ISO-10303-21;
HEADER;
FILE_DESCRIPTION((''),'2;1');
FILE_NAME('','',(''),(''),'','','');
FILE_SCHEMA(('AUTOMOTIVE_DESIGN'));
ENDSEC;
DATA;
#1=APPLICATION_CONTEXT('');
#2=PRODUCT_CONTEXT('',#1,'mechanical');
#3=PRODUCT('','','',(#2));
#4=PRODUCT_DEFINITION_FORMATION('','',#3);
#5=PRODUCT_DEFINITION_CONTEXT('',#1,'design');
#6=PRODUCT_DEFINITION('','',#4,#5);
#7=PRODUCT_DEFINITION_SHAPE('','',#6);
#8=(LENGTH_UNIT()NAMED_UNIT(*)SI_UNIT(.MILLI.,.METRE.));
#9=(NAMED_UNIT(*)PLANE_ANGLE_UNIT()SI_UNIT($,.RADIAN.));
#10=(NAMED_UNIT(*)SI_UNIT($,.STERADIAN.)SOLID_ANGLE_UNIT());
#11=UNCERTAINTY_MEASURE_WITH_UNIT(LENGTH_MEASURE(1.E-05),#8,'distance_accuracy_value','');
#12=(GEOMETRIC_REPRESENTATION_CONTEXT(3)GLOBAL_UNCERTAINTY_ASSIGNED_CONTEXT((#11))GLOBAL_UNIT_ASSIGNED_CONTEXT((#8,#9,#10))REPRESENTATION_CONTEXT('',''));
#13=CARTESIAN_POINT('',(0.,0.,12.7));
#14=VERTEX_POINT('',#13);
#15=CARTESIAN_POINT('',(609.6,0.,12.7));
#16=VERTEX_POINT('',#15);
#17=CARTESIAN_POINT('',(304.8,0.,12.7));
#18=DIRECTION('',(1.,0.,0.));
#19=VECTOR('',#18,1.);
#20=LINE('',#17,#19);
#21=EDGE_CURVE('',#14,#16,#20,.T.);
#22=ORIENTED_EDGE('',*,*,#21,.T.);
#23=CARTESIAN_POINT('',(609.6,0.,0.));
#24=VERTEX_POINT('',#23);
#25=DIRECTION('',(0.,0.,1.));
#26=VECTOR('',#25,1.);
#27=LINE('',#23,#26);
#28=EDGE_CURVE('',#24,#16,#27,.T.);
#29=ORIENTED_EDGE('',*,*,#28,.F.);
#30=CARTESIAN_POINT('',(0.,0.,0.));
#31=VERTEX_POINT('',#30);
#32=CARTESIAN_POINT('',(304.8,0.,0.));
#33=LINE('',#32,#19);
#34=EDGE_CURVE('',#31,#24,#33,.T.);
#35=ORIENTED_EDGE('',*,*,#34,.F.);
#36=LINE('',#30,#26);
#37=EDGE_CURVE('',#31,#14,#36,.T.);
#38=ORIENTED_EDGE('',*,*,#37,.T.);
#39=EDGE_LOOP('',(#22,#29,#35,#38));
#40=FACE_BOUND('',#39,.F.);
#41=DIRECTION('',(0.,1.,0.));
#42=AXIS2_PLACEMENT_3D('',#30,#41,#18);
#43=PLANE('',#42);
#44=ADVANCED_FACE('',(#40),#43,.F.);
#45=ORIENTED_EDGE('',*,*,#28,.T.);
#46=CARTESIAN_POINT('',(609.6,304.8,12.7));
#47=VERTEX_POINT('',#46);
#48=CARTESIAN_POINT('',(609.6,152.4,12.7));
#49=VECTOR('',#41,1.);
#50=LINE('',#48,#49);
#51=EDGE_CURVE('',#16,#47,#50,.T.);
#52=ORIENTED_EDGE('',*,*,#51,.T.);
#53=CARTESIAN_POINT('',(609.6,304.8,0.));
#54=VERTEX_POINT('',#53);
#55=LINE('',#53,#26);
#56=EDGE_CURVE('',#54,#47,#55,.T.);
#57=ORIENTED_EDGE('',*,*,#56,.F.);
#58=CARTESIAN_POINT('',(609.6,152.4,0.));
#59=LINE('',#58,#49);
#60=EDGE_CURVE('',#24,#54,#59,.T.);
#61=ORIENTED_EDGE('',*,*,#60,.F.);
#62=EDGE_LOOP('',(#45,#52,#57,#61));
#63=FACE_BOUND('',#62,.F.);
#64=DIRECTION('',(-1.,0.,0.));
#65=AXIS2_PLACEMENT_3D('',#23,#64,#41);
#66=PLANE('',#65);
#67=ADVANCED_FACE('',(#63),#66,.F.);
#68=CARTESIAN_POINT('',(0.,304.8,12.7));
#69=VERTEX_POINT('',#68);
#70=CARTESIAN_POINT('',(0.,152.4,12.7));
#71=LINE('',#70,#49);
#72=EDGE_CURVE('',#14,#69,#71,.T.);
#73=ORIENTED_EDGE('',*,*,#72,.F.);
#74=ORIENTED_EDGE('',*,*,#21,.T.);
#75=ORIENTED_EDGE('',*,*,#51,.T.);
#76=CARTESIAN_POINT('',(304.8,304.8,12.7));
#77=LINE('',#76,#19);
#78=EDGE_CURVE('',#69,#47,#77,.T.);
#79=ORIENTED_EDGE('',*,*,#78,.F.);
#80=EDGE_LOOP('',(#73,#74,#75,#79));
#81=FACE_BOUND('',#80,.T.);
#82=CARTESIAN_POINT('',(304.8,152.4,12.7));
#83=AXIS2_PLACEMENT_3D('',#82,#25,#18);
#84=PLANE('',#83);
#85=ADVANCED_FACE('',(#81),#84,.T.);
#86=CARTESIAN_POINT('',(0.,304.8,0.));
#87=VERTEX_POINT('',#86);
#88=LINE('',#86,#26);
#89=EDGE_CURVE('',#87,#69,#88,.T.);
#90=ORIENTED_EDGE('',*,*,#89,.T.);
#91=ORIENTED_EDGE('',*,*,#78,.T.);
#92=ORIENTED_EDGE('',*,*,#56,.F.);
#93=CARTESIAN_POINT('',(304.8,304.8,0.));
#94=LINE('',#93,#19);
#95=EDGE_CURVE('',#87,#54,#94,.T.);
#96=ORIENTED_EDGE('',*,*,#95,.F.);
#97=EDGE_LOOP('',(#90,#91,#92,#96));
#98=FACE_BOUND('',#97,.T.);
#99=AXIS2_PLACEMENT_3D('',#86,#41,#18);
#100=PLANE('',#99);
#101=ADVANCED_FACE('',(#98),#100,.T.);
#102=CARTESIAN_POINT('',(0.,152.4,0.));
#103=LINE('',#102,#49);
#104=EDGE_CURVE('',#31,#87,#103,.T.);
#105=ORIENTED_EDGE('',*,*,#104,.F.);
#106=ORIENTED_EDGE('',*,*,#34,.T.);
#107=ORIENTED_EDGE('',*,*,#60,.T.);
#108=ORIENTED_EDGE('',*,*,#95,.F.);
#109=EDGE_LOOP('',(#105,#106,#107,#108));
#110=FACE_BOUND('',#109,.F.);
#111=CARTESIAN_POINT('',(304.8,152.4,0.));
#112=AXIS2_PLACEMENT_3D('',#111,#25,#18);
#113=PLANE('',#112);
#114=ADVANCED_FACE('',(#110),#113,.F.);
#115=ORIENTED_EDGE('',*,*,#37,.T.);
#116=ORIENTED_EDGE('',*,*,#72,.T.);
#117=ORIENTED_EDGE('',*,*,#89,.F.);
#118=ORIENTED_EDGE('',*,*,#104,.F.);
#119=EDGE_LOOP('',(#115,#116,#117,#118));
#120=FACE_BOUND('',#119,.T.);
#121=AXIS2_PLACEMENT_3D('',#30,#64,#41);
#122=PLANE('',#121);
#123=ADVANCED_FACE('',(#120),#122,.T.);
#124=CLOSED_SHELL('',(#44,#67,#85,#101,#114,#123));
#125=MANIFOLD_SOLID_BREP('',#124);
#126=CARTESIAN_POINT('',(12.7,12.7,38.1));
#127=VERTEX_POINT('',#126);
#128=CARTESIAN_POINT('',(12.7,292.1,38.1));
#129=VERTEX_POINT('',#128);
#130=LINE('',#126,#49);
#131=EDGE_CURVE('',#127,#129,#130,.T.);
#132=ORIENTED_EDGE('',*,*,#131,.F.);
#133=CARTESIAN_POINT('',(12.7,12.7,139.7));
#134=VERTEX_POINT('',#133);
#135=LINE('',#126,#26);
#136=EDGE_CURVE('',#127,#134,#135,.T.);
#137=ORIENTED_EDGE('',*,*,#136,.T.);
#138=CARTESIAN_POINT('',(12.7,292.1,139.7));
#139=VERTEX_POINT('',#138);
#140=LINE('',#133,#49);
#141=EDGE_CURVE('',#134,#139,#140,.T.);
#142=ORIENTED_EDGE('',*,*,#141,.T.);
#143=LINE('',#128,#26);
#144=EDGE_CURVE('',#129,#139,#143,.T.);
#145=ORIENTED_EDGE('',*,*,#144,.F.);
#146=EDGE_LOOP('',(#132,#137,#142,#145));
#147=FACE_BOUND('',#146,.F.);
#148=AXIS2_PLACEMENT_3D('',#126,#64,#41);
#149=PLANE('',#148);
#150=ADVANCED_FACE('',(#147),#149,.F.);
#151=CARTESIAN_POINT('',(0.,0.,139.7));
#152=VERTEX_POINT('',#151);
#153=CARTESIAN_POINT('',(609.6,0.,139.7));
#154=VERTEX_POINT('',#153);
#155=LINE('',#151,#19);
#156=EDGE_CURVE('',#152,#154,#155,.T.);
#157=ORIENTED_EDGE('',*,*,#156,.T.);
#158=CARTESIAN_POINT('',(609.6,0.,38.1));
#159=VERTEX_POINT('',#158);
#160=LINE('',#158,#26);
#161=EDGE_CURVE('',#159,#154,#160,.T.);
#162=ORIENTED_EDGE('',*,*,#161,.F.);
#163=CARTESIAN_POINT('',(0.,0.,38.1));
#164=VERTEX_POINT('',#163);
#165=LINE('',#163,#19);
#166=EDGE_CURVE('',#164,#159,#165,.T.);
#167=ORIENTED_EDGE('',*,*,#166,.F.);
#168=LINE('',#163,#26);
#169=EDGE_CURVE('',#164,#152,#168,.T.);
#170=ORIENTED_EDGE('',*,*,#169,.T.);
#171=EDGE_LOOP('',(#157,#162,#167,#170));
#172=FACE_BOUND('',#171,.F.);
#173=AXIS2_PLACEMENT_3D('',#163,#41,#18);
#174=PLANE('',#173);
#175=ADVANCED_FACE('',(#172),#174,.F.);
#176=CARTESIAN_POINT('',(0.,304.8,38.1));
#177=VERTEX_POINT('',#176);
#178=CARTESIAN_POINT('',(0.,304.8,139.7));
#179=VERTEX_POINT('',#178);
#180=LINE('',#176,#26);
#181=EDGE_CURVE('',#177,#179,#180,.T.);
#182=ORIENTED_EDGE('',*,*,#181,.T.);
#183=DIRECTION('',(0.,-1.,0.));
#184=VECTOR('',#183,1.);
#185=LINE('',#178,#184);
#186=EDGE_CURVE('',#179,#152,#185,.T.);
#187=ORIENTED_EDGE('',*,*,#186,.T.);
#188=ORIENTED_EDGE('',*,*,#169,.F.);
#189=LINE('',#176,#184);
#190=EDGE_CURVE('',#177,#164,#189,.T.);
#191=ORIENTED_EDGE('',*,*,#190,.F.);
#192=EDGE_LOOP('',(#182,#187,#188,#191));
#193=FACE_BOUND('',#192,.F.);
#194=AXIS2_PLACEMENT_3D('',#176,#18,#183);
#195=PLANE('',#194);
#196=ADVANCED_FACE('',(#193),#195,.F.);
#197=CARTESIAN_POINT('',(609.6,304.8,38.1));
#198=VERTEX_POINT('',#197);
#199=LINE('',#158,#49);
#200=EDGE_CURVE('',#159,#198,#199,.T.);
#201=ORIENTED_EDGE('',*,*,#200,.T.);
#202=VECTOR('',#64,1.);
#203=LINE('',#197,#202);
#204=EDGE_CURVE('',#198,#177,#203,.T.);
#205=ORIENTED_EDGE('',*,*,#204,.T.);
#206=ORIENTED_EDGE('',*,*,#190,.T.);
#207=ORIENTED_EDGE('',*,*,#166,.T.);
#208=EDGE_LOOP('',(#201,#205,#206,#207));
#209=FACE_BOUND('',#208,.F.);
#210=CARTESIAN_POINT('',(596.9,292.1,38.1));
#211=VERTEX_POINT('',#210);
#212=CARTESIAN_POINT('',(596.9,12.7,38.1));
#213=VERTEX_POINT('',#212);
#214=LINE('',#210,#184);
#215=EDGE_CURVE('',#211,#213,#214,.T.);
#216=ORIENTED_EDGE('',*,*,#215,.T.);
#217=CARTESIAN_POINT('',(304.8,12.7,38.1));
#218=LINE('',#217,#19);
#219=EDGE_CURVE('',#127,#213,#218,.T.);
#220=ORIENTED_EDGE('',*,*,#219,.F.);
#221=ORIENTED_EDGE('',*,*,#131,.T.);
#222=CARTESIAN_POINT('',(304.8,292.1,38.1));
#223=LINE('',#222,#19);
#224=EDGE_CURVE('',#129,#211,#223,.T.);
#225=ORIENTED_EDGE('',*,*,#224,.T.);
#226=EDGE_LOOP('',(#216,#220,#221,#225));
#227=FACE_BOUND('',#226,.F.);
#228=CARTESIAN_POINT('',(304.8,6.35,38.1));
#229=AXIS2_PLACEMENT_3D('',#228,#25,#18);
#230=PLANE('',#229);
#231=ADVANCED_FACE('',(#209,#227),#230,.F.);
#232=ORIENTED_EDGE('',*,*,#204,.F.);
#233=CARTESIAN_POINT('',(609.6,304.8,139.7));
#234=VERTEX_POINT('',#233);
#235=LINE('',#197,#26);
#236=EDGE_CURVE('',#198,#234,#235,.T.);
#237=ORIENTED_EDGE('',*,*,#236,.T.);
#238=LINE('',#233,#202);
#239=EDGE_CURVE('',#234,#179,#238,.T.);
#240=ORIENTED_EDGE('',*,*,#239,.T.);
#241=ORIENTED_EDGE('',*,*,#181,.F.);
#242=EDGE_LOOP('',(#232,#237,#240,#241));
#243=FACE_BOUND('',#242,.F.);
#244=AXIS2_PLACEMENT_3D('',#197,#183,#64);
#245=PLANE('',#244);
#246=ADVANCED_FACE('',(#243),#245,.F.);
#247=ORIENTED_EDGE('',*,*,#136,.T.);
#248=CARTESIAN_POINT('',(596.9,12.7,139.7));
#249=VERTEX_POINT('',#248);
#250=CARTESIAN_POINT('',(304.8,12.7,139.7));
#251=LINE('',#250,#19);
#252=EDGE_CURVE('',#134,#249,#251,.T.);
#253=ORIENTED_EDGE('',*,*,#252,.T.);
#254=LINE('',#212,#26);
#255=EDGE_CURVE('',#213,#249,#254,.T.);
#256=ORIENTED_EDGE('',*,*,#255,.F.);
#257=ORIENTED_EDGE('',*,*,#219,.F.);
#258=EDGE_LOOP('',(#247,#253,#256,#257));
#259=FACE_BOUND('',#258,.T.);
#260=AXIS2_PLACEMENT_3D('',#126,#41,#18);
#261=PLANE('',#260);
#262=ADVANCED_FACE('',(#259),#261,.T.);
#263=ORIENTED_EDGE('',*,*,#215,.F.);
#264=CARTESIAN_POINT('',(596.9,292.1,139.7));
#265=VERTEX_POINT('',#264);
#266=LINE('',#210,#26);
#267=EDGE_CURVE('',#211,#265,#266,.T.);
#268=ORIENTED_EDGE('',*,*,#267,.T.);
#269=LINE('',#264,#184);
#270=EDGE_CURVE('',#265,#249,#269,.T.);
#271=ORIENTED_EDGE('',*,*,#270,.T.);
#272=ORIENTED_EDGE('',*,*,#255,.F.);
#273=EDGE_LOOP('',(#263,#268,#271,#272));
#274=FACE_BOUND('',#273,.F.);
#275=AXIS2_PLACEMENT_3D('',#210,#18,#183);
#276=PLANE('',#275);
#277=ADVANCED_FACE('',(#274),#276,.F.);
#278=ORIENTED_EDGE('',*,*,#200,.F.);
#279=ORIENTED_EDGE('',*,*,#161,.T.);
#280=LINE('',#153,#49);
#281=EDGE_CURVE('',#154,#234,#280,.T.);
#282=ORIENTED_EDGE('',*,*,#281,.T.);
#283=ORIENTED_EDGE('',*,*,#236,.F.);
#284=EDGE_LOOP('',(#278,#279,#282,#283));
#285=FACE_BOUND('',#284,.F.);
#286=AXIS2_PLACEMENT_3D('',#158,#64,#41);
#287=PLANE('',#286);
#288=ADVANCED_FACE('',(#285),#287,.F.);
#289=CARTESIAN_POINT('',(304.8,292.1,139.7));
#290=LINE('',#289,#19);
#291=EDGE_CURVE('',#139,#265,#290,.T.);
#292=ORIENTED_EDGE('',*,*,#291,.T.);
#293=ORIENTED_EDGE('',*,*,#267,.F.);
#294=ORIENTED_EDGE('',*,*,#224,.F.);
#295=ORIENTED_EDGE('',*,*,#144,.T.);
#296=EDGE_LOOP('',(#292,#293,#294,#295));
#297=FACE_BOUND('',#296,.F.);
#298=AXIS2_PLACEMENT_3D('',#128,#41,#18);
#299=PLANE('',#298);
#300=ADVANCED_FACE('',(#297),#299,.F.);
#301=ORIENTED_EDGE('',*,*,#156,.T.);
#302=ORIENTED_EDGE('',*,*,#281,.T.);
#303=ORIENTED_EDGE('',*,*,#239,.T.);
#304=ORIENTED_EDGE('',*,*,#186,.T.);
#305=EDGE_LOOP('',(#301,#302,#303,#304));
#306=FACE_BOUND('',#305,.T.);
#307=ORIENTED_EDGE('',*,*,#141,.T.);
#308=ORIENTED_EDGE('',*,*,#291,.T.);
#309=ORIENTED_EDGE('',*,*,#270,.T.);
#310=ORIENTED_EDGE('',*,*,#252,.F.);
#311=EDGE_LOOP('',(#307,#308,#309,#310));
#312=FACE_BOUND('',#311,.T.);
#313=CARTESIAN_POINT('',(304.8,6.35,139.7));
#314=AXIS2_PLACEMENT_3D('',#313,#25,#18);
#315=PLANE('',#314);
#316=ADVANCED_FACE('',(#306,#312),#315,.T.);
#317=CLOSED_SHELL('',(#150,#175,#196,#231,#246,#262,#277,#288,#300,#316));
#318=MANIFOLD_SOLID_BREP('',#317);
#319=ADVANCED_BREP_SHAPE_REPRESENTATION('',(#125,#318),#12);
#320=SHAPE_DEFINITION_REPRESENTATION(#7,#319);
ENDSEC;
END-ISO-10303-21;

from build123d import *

# Parameters (mm, degrees)
F0_W     = 609.6
F0_H     = 304.8
F1_DEPTH = 12.7
F3_W     = 584.2
F3_H     = 12.7
F4_DEPTH = 101.6


with BuildPart() as f1:
    # F0 (on Top) → F1 (new body)
    with BuildSketch(Plane.XY):
        with Locations((304.8, 152.4)):
            Rectangle(F0_W, F0_H)
    extrude(amount=F1_DEPTH)


with BuildPart() as f4:
    # F3 (on offset) → F4 (new body)
    with BuildSketch(Plane.XY.offset(38.1)):
        with Locations((304.8, 6.35)):
            Rectangle(F3_W, F3_H)
        with Locations((304.8, 298.45)):
            Rectangle(F3_W, F3_H)
        Polygon((0, 304.8), (0, 0), (12.7, 0), (12.7, 12.7), (12.7, 292.1), (12.7, 304.8), align=None)
        Polygon((596.9, 12.7), (596.9, 0), (609.6, 0), (609.6, 304.8), (596.9, 304.8), (596.9, 292.1), align=None)
    extrude(amount=F4_DEPTH)


solid = Compound([f1.part, f4.part])
